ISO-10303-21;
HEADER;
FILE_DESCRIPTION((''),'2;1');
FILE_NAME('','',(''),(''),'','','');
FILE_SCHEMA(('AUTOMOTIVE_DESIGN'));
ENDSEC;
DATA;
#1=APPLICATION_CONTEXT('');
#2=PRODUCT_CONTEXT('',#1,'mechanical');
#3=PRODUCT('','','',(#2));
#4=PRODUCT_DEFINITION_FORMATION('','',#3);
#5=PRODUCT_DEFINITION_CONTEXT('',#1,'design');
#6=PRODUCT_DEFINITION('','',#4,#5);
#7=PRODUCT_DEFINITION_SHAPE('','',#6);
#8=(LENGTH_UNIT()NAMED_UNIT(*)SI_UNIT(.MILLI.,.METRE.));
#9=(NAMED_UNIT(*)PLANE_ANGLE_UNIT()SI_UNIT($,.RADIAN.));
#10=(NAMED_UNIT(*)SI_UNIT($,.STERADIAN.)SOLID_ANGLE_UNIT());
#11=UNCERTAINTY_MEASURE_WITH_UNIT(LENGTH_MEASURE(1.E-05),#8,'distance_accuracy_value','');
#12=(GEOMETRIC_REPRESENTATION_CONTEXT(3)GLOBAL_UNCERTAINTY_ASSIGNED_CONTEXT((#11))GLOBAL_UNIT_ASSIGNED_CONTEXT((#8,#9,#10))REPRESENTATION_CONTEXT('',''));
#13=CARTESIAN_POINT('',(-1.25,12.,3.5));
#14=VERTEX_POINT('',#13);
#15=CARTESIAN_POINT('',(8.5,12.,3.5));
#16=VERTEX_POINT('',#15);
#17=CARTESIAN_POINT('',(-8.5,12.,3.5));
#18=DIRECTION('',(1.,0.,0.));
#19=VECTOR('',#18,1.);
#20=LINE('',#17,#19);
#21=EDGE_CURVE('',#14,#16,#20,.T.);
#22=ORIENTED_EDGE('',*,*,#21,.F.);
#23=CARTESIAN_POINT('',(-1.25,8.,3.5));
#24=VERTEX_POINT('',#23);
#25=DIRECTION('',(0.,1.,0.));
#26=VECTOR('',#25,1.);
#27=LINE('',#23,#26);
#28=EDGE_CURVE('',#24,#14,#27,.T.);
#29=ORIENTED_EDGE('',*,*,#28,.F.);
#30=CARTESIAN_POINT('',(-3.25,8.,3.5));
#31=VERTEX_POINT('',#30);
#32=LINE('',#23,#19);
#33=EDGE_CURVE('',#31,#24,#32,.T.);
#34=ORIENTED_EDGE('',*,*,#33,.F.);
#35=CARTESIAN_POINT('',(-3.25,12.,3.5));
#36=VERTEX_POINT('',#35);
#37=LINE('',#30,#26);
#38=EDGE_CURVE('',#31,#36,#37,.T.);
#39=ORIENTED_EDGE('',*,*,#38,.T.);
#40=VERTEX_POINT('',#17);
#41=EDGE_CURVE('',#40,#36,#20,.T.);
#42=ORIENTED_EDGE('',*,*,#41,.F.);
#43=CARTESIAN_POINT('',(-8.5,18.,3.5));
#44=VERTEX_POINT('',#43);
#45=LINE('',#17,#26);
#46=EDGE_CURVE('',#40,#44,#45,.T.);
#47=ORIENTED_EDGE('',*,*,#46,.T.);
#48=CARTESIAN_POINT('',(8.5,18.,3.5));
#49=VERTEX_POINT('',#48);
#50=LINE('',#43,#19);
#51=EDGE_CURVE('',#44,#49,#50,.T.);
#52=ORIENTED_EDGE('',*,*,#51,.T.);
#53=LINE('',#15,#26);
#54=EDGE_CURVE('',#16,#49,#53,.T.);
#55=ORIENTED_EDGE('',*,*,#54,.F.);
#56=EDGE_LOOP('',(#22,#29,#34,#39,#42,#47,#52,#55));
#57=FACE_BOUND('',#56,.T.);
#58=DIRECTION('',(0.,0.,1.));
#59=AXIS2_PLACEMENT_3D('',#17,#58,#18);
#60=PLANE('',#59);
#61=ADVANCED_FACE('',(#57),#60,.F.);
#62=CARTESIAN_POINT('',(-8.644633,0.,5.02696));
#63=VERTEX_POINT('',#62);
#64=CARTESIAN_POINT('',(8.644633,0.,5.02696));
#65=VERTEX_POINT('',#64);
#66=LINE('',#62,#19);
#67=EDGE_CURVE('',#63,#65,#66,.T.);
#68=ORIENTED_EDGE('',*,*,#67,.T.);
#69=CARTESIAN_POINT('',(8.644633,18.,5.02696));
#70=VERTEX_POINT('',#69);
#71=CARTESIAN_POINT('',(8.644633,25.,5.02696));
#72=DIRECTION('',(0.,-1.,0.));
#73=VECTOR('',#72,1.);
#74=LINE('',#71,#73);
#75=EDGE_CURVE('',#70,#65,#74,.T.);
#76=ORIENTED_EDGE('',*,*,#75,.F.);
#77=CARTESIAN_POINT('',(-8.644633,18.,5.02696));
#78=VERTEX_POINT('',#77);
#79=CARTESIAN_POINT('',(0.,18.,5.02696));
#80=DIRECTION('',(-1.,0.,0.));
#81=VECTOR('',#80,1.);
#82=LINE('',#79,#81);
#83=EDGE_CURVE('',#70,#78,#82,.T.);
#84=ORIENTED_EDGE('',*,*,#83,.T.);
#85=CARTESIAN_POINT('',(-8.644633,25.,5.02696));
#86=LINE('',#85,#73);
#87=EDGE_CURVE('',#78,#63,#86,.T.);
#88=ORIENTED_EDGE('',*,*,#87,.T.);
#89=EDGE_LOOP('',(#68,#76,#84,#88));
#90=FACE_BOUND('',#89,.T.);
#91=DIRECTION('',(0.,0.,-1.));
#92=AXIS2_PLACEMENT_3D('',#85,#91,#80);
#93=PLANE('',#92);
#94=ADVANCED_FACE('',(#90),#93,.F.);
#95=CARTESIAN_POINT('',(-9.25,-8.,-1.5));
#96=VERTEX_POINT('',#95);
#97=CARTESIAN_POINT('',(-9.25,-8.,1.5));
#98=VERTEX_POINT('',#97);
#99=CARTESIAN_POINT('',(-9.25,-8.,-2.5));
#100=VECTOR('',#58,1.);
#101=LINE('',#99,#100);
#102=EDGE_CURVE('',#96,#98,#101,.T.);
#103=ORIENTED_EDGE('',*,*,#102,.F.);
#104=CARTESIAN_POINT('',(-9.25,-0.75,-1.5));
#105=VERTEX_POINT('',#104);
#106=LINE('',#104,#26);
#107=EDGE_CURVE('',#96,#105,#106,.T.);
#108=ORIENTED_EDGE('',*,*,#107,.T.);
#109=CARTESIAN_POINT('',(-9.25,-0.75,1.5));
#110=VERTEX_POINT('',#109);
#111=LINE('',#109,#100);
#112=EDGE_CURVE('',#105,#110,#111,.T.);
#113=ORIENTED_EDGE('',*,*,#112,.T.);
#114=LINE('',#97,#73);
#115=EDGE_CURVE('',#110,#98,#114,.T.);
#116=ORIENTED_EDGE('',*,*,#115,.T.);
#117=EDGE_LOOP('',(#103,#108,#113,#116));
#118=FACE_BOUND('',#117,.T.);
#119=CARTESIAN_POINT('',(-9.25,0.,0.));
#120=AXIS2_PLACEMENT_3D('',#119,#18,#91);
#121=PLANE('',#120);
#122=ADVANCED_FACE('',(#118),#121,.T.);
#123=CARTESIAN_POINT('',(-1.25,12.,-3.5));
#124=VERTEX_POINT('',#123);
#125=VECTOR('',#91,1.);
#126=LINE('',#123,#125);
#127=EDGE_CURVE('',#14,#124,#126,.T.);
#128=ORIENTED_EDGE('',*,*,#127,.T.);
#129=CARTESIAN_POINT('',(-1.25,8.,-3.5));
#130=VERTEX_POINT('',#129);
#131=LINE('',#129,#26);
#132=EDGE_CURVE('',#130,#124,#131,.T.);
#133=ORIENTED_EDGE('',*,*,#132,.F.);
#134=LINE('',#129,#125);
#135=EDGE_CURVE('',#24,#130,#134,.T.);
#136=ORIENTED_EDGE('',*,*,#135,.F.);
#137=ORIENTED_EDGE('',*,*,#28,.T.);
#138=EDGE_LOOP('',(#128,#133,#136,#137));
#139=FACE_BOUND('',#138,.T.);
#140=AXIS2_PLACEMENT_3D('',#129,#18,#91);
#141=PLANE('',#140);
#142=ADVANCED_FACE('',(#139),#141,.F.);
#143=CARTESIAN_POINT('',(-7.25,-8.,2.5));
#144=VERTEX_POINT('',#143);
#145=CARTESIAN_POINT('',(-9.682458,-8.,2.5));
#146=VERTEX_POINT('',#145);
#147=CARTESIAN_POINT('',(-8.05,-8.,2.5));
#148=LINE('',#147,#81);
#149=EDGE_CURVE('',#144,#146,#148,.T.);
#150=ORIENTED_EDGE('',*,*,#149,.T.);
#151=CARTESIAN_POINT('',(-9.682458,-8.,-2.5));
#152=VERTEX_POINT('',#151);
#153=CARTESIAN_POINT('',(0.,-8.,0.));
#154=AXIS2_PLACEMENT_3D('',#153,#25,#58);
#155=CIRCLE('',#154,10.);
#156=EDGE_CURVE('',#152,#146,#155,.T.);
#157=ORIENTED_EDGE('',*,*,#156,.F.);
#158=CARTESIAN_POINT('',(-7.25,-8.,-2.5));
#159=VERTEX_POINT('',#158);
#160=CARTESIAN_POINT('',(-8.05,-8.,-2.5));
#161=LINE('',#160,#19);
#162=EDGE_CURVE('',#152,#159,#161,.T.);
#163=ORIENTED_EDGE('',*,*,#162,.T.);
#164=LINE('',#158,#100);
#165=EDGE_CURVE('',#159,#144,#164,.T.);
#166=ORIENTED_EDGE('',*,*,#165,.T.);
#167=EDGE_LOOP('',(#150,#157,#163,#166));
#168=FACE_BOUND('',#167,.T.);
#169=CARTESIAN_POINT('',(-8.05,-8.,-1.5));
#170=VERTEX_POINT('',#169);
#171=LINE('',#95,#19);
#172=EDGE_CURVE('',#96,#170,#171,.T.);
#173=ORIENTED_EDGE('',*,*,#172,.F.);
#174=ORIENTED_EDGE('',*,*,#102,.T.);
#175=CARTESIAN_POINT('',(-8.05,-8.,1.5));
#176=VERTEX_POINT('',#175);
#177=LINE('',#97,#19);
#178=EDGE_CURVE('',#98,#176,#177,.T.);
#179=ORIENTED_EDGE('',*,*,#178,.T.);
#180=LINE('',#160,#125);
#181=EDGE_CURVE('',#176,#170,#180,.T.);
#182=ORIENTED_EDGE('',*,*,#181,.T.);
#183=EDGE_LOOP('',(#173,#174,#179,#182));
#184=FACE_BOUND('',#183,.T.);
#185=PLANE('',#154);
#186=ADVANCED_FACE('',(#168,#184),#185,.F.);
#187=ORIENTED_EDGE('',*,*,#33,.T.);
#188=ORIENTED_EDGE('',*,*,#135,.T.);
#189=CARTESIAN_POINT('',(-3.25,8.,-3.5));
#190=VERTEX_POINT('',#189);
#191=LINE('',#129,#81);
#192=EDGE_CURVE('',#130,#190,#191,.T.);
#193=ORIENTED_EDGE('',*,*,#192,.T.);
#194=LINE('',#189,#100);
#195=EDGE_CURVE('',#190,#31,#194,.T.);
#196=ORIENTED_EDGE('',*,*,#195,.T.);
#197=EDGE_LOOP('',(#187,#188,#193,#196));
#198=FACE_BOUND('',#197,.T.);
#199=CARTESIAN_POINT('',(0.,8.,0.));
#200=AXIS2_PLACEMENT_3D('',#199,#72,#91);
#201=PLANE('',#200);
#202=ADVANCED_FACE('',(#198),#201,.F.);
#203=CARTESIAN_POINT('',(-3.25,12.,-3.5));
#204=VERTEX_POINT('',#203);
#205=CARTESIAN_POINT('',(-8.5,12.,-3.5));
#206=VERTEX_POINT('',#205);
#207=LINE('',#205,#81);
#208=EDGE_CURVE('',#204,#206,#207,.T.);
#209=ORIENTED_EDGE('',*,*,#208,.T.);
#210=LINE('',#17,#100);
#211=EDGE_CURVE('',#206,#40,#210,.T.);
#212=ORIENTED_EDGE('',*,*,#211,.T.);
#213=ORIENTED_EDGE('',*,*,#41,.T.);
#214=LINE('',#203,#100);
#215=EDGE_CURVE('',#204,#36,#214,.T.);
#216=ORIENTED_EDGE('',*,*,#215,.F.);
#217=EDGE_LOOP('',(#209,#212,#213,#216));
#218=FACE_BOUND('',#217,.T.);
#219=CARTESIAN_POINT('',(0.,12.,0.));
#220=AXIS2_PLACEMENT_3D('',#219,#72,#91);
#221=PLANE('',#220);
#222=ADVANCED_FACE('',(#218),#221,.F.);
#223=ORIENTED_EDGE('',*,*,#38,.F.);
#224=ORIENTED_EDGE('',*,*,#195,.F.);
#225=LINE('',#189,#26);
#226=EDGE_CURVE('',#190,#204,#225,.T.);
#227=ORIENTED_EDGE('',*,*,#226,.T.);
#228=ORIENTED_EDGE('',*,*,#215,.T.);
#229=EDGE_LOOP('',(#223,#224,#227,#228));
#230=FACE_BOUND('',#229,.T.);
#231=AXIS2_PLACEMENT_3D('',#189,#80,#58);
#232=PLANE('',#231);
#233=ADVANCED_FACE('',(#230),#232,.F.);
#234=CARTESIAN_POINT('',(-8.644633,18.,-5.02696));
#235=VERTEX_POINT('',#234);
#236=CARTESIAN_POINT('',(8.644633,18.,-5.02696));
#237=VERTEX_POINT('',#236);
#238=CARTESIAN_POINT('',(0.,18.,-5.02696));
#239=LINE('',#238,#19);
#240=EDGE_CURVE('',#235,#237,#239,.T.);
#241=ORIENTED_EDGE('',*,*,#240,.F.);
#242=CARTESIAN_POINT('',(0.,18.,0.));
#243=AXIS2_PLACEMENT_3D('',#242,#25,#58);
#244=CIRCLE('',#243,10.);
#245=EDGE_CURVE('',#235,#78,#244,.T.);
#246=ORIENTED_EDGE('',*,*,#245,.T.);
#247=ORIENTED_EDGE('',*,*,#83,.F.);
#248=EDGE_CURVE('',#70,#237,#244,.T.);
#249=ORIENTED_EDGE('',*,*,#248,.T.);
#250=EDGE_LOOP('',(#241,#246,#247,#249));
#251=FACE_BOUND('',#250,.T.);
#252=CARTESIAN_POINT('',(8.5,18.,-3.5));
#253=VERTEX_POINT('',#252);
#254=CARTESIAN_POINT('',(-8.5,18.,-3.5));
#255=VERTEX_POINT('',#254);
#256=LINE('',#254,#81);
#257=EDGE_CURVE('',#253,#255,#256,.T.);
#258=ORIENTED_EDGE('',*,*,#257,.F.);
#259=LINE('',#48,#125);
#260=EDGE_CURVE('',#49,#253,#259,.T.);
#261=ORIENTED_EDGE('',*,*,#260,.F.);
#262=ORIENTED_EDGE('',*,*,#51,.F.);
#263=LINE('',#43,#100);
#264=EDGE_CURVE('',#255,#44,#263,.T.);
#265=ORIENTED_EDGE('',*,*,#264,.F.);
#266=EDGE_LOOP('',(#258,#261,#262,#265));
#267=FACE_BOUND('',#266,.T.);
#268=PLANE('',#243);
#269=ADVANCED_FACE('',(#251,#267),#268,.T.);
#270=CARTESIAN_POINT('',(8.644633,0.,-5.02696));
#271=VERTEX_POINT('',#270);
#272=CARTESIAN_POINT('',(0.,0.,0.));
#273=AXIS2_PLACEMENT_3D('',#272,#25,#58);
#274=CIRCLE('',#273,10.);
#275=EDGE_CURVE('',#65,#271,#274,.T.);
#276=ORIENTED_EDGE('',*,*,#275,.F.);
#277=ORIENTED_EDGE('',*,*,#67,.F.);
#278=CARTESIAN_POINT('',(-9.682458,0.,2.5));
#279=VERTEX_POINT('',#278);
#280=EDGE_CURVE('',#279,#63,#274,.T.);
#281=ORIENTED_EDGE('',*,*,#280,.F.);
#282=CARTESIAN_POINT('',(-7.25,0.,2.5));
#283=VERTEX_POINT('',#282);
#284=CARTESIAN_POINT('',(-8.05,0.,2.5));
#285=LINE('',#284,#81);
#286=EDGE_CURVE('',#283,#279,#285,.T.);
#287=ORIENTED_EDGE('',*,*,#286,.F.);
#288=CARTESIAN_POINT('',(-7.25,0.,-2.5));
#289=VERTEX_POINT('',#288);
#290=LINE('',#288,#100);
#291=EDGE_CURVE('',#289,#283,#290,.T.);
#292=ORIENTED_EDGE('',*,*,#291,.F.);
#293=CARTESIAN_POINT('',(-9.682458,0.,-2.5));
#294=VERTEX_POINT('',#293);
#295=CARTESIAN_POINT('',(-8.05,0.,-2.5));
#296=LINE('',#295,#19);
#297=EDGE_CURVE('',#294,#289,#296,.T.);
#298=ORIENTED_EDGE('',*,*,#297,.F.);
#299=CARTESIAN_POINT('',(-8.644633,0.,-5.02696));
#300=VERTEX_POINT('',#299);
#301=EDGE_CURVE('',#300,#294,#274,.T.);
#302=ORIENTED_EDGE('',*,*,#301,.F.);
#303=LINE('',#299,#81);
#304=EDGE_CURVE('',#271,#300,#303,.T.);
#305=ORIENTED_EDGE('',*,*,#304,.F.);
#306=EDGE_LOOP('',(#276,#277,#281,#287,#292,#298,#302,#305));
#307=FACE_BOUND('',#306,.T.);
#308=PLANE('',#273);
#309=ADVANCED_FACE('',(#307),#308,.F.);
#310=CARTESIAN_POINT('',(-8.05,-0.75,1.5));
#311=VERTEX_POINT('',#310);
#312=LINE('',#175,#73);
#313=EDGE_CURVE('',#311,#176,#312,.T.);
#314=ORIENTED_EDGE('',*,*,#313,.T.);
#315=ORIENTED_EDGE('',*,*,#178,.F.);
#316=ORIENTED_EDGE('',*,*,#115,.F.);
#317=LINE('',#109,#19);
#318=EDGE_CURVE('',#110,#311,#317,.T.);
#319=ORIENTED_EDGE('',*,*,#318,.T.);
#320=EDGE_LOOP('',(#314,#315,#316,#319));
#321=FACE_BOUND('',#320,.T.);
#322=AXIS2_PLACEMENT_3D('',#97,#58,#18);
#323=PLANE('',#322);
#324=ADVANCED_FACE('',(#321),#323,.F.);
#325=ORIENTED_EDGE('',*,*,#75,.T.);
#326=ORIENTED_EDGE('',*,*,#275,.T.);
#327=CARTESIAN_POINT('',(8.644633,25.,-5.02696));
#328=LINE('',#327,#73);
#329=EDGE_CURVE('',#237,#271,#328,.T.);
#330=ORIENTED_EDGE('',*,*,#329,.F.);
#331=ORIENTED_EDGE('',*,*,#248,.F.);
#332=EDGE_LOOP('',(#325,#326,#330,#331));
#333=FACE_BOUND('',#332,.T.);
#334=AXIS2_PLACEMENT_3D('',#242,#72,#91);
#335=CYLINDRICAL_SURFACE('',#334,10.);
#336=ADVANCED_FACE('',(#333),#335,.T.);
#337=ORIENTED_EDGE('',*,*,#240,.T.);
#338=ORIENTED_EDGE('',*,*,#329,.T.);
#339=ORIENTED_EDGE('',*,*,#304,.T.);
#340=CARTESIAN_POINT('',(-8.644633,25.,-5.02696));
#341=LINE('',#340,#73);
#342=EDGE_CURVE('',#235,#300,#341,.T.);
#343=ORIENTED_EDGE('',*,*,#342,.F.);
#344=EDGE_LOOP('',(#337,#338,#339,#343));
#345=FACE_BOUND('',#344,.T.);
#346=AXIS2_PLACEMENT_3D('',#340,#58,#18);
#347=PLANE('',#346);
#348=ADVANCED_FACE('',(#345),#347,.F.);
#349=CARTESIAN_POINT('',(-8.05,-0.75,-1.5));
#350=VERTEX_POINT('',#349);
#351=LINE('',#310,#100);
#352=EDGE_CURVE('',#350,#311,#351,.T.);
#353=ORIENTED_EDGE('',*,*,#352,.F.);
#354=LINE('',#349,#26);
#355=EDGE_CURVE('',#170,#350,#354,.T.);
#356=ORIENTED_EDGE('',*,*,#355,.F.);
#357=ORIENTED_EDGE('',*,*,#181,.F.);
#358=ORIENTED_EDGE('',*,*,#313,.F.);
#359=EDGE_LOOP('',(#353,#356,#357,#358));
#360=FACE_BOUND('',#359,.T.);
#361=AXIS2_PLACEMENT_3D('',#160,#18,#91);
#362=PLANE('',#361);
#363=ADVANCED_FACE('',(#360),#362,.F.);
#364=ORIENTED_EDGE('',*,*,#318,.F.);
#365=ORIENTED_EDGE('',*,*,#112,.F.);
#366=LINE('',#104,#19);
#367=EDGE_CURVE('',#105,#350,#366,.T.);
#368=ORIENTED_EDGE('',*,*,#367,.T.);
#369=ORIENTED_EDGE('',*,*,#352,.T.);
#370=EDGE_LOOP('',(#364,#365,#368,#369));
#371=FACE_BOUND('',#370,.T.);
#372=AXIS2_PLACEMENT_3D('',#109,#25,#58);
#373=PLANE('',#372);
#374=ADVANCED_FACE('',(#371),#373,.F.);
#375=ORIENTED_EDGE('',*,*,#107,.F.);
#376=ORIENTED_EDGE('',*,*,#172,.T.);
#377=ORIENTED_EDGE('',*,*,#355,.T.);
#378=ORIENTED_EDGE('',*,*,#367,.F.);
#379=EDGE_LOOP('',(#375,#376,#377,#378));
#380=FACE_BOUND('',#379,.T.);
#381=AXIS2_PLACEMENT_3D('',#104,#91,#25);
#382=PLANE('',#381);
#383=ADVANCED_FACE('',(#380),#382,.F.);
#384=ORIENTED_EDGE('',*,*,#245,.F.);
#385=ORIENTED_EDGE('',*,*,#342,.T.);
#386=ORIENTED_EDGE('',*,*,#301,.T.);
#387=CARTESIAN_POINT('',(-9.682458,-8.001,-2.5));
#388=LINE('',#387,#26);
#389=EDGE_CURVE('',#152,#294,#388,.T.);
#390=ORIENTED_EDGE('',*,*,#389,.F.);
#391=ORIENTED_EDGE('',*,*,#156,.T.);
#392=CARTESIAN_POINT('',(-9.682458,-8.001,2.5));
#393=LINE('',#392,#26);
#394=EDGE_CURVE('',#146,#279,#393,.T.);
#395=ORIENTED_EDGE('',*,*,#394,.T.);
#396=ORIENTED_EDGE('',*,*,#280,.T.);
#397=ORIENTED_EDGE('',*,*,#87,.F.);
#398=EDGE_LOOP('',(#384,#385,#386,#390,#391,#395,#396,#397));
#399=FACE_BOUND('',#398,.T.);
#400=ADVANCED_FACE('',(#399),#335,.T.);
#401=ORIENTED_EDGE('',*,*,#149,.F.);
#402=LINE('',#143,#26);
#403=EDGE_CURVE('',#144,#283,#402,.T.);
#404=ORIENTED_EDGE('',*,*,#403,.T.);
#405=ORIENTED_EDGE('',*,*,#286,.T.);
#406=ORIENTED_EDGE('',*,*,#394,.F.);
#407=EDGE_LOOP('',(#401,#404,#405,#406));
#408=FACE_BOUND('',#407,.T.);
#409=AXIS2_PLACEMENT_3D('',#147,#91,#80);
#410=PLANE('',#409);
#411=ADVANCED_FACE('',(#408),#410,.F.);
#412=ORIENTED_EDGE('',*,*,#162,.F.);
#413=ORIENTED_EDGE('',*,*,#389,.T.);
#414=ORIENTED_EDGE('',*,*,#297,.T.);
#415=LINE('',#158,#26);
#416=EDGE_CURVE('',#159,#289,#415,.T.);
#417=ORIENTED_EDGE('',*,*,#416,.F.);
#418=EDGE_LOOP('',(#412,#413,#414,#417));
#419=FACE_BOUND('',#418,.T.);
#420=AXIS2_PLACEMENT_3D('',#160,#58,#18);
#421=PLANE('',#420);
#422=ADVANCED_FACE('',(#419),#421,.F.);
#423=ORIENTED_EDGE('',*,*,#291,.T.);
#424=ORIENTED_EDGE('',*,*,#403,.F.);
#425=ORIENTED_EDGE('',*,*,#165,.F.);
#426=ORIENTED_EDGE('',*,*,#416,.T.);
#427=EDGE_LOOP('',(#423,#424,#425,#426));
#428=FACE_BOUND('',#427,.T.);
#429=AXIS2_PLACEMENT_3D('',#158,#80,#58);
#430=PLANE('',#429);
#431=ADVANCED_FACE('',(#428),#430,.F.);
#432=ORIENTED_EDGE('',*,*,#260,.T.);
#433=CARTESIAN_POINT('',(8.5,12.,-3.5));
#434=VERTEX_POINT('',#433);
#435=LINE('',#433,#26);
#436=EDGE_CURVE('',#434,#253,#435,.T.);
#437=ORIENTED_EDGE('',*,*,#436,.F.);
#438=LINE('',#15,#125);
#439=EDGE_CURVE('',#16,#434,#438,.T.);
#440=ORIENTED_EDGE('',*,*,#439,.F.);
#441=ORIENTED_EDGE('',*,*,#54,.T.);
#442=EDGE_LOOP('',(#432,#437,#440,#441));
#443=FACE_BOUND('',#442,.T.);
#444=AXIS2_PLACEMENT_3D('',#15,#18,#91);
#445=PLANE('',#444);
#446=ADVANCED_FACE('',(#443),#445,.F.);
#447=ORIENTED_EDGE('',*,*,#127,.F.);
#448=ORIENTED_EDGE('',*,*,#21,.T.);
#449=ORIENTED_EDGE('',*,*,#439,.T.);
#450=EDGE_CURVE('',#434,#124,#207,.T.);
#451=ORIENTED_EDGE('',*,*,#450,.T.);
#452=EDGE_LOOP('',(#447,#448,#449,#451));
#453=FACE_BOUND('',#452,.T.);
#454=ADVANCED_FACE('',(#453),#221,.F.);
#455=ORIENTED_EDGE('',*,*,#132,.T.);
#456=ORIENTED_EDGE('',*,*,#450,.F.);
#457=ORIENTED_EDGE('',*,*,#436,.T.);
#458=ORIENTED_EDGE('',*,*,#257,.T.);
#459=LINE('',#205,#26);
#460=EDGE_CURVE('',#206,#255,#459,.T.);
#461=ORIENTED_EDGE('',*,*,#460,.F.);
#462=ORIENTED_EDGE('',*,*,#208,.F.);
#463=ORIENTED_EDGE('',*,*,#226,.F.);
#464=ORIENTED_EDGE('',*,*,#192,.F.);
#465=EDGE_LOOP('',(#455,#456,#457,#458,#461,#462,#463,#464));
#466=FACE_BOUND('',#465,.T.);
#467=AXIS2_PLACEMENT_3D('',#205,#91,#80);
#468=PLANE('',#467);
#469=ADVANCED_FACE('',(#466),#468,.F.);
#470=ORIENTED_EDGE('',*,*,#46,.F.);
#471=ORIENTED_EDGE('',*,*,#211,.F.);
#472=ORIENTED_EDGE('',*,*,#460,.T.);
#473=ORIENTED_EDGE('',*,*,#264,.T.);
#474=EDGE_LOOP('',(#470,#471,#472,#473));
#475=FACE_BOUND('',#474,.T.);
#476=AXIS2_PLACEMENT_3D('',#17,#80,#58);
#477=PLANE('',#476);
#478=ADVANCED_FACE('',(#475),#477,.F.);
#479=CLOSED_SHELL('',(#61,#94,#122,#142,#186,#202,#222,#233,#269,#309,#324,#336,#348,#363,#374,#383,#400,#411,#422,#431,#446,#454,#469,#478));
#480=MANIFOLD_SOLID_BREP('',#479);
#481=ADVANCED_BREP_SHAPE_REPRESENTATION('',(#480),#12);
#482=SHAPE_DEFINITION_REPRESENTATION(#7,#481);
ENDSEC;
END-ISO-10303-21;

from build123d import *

# Parameters (mm, degrees)
SKETCH1_R           = 10
BOSS_EXTRUDE1_DEPTH = 18
SKETCH2_W           = 0.8
SKETCH2_H           = 5
BOSS_EXTRUDE2_DEPTH = 8
BOSS_EXTRUDE3_DEPTH = 1.2
SKETCH4_W           = 17
SKETCH4_H           = 7
CUT_EXTRUDE1_DEPTH  = 6
SKETCH5_W           = 2
SKETCH5_H           = 7
CUT_EXTRUDE2_DEPTH  = 4
CUT_EXTRUDE3_DEPTH  = 25
SKETCH7_W           = 5
SKETCH7_H           = 8
BOSS_EXTRUDE4_DEPTH = 0.8
CUT_EXTRUDE4_REACH  = 23.22


with BuildPart() as part:
    # Sketch1 → Boss-Extrude1 (new body)
    with BuildSketch(Plane(origin=(0, 0, 0), x_dir=(1, 0, 0), z_dir=(0, 1, 0))):
        with Locations(Location((0, 0, 0), (0, 0, 270))):
            Circle(SKETCH1_R)
    extrude(amount=BOSS_EXTRUDE1_DEPTH)

    # Sketch4 → Cut-Extrude1 (cut)
    with BuildSketch(Plane(origin=(0, 18, 0), x_dir=(1, 0, 0), z_dir=(0, 1, 0))):
        Rectangle(SKETCH4_W, SKETCH4_H)
    extrude(amount=-CUT_EXTRUDE1_DEPTH, mode=Mode.SUBTRACT)

    # Sketch5 → Cut-Extrude2 (cut)
    with BuildSketch(Plane(origin=(0, 12, 0), x_dir=(1, 0, 0), z_dir=(0, 1, 0))):
        with Locations((-2.25, 0)):
            Rectangle(SKETCH5_W, SKETCH5_H)
    extrude(amount=-CUT_EXTRUDE2_DEPTH, mode=Mode.SUBTRACT)

    # Sketch6 → Cut-Extrude3 (cut)
    with BuildSketch(Plane.XZ):
        with BuildLine():
            Line((-8.644632716, 5.026959838), (8.644632716, 5.026959838))
            ThreePointArc((8.644632716, 5.026959838), (0, 10), (-8.644632716, 5.026959838))
        make_face()
        with BuildLine():
            Line((-8.644632716, -5.026959838), (8.644632716, -5.026959838))
            ThreePointArc((8.644632716, -5.026959838), (0, -10), (-8.644632716, -5.026959838))
        make_face()
    extrude(amount=-CUT_EXTRUDE3_DEPTH, mode=Mode.SUBTRACT)



with BuildPart() as body_2:
    # Sketch2 → Boss-Extrude2 (new body)
    with BuildSketch(Plane(origin=(0, 0, 0), x_dir=(-1, 0, 0), z_dir=(0, -1, 0))):
        with Locations((7.65, 0)):
            Rectangle(SKETCH2_W, SKETCH2_H)
    extrude(amount=BOSS_EXTRUDE2_DEPTH)

    # Sketch3 → Boss-Extrude3 (add)
    with BuildSketch(Plane.ZY.offset(8.05)):
        Polygon((-2.5, -8), (-2.5, 0), (2.5, 0), (2.5, -8), (1.5, -8), (1.5, -0.75), (-1.5, -0.75), (-1.5, -8), align=None)
    extrude(amount=BOSS_EXTRUDE3_DEPTH)


with BuildPart() as part_1:
    add(part.part)

    add(body_2.part)  # Boss-Extrude4 merges body 2
    # Sketch7 → Boss-Extrude4 (add)
    with BuildSketch(Plane.ZY.offset(9.25)):
        with Locations((0, -4)):
            Rectangle(SKETCH7_W, SKETCH7_H)
    extrude(amount=BOSS_EXTRUDE4_DEPTH)

    # Sketch8 → Cut-Extrude4 (cut, up to next)
    with BuildSketch(Plane(origin=(0, 0, 0), x_dir=(1, 0, 0), z_dir=(0, 1, 0)), mode=Mode.PRIVATE) as cut_extrude4_sk1:
        with BuildLine():
            Line((-9.682458366, 2.5), (-10.05, 2.5))
            Line((-10.05, 2.5), (-10.05, -2.5))
            Line((-10.05, -2.5), (-9.682458366, -2.5))
            ThreePointArc((-9.682458366, -2.5), (-10, 0), (-9.682458366, 2.5))
        make_face()
    cut_extrude4_tool1 = extrude(cut_extrude4_sk1.sketch, amount=-CUT_EXTRUDE4_REACH, mode=Mode.PRIVATE) & part_1.part
    add(cut_extrude4_tool1.solids().sort_by_distance((-9.866229, 0, -2.449865))[0], mode=Mode.SUBTRACT)


solid = part_1.part
